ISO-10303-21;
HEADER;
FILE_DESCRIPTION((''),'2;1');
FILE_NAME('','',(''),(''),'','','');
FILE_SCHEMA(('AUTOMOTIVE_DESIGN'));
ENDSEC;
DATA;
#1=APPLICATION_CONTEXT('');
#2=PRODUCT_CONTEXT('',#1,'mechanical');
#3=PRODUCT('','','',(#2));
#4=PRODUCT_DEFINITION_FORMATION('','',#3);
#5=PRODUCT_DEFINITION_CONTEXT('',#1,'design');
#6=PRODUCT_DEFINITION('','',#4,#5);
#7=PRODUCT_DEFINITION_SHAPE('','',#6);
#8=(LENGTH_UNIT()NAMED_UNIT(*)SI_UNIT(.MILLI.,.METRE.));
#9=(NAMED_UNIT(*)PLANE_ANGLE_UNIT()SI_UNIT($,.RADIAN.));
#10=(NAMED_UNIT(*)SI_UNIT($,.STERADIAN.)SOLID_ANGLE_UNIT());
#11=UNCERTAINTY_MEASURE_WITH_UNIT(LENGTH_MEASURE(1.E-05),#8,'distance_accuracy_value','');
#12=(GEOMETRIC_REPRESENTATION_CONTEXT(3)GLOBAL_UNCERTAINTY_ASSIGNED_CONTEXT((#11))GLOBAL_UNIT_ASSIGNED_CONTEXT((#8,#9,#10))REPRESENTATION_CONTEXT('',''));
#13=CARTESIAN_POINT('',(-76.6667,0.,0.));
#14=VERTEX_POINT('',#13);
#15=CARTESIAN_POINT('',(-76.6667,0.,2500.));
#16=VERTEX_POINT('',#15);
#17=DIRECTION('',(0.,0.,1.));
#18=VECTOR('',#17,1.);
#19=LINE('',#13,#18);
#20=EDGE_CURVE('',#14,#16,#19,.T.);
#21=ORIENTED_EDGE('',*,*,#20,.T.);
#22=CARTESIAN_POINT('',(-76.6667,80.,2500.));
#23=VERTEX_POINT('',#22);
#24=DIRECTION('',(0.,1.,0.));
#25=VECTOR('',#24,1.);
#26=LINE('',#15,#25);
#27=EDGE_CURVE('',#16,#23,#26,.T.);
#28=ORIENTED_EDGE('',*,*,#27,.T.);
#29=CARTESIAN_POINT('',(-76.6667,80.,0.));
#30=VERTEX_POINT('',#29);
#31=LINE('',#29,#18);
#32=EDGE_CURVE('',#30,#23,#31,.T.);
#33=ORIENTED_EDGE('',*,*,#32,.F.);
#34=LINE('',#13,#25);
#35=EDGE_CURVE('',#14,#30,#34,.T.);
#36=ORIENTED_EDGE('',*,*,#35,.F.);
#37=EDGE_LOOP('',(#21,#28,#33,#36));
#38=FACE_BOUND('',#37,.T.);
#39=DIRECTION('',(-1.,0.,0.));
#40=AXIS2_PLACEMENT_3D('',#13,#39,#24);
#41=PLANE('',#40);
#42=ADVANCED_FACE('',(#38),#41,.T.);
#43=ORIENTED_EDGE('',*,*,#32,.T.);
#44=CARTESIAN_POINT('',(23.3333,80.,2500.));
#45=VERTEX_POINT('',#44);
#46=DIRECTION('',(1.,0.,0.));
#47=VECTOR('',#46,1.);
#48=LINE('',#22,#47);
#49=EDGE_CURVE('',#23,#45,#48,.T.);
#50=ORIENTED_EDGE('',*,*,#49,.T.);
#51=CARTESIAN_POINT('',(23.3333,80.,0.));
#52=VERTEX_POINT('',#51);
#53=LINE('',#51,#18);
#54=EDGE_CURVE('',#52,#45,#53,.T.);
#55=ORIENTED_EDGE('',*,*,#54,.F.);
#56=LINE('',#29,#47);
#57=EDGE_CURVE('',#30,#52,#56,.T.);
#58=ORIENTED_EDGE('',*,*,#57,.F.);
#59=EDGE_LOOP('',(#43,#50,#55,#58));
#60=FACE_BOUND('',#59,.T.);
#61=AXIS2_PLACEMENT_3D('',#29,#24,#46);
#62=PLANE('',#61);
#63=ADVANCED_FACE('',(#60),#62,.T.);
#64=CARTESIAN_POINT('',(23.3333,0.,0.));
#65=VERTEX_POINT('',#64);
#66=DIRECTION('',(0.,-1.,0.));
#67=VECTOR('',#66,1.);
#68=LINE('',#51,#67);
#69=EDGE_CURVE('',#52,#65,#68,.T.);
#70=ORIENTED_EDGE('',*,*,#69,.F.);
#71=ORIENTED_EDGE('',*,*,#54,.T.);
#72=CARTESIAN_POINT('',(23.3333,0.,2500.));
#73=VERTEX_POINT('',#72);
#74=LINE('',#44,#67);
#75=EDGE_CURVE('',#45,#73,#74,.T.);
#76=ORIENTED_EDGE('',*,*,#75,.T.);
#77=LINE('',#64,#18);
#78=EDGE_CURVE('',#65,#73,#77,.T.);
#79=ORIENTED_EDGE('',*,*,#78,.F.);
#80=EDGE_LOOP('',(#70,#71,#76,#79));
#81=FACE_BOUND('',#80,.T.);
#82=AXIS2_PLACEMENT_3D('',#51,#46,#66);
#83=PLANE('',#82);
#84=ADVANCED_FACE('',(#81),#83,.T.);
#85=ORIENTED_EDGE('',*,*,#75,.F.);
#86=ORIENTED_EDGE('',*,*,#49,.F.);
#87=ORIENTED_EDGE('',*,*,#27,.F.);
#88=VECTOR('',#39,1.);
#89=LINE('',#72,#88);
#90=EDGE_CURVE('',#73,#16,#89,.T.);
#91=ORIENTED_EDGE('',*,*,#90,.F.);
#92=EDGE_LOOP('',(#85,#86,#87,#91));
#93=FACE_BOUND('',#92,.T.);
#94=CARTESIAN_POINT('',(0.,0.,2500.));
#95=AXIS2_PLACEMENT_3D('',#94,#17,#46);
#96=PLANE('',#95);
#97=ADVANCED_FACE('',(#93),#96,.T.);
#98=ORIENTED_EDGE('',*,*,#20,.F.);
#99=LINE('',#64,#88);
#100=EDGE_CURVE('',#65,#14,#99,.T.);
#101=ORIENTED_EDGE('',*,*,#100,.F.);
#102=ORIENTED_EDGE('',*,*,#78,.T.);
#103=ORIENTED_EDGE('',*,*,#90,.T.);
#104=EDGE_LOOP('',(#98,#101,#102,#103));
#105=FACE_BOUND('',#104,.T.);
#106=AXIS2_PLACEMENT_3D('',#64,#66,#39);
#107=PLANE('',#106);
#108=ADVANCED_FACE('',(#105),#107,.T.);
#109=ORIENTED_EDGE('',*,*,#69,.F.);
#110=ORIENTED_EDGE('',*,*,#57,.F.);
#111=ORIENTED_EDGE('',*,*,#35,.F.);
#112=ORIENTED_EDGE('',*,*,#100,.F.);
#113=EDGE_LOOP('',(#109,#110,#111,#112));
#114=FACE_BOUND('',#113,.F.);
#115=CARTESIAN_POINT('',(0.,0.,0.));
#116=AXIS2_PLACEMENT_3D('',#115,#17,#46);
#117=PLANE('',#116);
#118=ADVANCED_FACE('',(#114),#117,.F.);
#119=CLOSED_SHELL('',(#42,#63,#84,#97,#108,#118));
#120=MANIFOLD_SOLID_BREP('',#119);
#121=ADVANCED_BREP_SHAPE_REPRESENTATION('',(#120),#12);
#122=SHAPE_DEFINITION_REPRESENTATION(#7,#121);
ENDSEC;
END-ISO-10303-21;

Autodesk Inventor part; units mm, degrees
ref_plane "YZ Plane" through (0, 0, 0) normal (1, 0, 0) x (0, 1, 0)
ref_plane "XZ Plane" through (0, 0, 0) normal (0, 1, 0) x (-1, 0, 0)
ref_plane "XY Plane" through (0, 0, 0) normal (0, 0, 1) x (1, 0, 0)
sketch "Sketch1" plane through (0, 0, 0) normal (0, 0, 1) x (1, 0, 0)
  line L0 (23.3333, 0) -> (-76.6667, 0)
  line L1 (-76.6667, 0) -> (-76.6667, 80)
  line L2 (-76.6667, 80) -> (23.3333, 80)
  line L3 (23.3333, 80) -> (23.3333, 0)
  point P0 (0, 0)
  dimension "d0" = 80
  dimension "d1" = 100
sketch "Sketch2" plane through (0, 0, 0) normal (0, 0, 1) x (1, 0, 0)
  point P0 (0, 0)
extrude "Extrusion1" add sketch "Sketch1" along normal blind 2500
properties part number "mainbeam" material "Wood (Birch)"
